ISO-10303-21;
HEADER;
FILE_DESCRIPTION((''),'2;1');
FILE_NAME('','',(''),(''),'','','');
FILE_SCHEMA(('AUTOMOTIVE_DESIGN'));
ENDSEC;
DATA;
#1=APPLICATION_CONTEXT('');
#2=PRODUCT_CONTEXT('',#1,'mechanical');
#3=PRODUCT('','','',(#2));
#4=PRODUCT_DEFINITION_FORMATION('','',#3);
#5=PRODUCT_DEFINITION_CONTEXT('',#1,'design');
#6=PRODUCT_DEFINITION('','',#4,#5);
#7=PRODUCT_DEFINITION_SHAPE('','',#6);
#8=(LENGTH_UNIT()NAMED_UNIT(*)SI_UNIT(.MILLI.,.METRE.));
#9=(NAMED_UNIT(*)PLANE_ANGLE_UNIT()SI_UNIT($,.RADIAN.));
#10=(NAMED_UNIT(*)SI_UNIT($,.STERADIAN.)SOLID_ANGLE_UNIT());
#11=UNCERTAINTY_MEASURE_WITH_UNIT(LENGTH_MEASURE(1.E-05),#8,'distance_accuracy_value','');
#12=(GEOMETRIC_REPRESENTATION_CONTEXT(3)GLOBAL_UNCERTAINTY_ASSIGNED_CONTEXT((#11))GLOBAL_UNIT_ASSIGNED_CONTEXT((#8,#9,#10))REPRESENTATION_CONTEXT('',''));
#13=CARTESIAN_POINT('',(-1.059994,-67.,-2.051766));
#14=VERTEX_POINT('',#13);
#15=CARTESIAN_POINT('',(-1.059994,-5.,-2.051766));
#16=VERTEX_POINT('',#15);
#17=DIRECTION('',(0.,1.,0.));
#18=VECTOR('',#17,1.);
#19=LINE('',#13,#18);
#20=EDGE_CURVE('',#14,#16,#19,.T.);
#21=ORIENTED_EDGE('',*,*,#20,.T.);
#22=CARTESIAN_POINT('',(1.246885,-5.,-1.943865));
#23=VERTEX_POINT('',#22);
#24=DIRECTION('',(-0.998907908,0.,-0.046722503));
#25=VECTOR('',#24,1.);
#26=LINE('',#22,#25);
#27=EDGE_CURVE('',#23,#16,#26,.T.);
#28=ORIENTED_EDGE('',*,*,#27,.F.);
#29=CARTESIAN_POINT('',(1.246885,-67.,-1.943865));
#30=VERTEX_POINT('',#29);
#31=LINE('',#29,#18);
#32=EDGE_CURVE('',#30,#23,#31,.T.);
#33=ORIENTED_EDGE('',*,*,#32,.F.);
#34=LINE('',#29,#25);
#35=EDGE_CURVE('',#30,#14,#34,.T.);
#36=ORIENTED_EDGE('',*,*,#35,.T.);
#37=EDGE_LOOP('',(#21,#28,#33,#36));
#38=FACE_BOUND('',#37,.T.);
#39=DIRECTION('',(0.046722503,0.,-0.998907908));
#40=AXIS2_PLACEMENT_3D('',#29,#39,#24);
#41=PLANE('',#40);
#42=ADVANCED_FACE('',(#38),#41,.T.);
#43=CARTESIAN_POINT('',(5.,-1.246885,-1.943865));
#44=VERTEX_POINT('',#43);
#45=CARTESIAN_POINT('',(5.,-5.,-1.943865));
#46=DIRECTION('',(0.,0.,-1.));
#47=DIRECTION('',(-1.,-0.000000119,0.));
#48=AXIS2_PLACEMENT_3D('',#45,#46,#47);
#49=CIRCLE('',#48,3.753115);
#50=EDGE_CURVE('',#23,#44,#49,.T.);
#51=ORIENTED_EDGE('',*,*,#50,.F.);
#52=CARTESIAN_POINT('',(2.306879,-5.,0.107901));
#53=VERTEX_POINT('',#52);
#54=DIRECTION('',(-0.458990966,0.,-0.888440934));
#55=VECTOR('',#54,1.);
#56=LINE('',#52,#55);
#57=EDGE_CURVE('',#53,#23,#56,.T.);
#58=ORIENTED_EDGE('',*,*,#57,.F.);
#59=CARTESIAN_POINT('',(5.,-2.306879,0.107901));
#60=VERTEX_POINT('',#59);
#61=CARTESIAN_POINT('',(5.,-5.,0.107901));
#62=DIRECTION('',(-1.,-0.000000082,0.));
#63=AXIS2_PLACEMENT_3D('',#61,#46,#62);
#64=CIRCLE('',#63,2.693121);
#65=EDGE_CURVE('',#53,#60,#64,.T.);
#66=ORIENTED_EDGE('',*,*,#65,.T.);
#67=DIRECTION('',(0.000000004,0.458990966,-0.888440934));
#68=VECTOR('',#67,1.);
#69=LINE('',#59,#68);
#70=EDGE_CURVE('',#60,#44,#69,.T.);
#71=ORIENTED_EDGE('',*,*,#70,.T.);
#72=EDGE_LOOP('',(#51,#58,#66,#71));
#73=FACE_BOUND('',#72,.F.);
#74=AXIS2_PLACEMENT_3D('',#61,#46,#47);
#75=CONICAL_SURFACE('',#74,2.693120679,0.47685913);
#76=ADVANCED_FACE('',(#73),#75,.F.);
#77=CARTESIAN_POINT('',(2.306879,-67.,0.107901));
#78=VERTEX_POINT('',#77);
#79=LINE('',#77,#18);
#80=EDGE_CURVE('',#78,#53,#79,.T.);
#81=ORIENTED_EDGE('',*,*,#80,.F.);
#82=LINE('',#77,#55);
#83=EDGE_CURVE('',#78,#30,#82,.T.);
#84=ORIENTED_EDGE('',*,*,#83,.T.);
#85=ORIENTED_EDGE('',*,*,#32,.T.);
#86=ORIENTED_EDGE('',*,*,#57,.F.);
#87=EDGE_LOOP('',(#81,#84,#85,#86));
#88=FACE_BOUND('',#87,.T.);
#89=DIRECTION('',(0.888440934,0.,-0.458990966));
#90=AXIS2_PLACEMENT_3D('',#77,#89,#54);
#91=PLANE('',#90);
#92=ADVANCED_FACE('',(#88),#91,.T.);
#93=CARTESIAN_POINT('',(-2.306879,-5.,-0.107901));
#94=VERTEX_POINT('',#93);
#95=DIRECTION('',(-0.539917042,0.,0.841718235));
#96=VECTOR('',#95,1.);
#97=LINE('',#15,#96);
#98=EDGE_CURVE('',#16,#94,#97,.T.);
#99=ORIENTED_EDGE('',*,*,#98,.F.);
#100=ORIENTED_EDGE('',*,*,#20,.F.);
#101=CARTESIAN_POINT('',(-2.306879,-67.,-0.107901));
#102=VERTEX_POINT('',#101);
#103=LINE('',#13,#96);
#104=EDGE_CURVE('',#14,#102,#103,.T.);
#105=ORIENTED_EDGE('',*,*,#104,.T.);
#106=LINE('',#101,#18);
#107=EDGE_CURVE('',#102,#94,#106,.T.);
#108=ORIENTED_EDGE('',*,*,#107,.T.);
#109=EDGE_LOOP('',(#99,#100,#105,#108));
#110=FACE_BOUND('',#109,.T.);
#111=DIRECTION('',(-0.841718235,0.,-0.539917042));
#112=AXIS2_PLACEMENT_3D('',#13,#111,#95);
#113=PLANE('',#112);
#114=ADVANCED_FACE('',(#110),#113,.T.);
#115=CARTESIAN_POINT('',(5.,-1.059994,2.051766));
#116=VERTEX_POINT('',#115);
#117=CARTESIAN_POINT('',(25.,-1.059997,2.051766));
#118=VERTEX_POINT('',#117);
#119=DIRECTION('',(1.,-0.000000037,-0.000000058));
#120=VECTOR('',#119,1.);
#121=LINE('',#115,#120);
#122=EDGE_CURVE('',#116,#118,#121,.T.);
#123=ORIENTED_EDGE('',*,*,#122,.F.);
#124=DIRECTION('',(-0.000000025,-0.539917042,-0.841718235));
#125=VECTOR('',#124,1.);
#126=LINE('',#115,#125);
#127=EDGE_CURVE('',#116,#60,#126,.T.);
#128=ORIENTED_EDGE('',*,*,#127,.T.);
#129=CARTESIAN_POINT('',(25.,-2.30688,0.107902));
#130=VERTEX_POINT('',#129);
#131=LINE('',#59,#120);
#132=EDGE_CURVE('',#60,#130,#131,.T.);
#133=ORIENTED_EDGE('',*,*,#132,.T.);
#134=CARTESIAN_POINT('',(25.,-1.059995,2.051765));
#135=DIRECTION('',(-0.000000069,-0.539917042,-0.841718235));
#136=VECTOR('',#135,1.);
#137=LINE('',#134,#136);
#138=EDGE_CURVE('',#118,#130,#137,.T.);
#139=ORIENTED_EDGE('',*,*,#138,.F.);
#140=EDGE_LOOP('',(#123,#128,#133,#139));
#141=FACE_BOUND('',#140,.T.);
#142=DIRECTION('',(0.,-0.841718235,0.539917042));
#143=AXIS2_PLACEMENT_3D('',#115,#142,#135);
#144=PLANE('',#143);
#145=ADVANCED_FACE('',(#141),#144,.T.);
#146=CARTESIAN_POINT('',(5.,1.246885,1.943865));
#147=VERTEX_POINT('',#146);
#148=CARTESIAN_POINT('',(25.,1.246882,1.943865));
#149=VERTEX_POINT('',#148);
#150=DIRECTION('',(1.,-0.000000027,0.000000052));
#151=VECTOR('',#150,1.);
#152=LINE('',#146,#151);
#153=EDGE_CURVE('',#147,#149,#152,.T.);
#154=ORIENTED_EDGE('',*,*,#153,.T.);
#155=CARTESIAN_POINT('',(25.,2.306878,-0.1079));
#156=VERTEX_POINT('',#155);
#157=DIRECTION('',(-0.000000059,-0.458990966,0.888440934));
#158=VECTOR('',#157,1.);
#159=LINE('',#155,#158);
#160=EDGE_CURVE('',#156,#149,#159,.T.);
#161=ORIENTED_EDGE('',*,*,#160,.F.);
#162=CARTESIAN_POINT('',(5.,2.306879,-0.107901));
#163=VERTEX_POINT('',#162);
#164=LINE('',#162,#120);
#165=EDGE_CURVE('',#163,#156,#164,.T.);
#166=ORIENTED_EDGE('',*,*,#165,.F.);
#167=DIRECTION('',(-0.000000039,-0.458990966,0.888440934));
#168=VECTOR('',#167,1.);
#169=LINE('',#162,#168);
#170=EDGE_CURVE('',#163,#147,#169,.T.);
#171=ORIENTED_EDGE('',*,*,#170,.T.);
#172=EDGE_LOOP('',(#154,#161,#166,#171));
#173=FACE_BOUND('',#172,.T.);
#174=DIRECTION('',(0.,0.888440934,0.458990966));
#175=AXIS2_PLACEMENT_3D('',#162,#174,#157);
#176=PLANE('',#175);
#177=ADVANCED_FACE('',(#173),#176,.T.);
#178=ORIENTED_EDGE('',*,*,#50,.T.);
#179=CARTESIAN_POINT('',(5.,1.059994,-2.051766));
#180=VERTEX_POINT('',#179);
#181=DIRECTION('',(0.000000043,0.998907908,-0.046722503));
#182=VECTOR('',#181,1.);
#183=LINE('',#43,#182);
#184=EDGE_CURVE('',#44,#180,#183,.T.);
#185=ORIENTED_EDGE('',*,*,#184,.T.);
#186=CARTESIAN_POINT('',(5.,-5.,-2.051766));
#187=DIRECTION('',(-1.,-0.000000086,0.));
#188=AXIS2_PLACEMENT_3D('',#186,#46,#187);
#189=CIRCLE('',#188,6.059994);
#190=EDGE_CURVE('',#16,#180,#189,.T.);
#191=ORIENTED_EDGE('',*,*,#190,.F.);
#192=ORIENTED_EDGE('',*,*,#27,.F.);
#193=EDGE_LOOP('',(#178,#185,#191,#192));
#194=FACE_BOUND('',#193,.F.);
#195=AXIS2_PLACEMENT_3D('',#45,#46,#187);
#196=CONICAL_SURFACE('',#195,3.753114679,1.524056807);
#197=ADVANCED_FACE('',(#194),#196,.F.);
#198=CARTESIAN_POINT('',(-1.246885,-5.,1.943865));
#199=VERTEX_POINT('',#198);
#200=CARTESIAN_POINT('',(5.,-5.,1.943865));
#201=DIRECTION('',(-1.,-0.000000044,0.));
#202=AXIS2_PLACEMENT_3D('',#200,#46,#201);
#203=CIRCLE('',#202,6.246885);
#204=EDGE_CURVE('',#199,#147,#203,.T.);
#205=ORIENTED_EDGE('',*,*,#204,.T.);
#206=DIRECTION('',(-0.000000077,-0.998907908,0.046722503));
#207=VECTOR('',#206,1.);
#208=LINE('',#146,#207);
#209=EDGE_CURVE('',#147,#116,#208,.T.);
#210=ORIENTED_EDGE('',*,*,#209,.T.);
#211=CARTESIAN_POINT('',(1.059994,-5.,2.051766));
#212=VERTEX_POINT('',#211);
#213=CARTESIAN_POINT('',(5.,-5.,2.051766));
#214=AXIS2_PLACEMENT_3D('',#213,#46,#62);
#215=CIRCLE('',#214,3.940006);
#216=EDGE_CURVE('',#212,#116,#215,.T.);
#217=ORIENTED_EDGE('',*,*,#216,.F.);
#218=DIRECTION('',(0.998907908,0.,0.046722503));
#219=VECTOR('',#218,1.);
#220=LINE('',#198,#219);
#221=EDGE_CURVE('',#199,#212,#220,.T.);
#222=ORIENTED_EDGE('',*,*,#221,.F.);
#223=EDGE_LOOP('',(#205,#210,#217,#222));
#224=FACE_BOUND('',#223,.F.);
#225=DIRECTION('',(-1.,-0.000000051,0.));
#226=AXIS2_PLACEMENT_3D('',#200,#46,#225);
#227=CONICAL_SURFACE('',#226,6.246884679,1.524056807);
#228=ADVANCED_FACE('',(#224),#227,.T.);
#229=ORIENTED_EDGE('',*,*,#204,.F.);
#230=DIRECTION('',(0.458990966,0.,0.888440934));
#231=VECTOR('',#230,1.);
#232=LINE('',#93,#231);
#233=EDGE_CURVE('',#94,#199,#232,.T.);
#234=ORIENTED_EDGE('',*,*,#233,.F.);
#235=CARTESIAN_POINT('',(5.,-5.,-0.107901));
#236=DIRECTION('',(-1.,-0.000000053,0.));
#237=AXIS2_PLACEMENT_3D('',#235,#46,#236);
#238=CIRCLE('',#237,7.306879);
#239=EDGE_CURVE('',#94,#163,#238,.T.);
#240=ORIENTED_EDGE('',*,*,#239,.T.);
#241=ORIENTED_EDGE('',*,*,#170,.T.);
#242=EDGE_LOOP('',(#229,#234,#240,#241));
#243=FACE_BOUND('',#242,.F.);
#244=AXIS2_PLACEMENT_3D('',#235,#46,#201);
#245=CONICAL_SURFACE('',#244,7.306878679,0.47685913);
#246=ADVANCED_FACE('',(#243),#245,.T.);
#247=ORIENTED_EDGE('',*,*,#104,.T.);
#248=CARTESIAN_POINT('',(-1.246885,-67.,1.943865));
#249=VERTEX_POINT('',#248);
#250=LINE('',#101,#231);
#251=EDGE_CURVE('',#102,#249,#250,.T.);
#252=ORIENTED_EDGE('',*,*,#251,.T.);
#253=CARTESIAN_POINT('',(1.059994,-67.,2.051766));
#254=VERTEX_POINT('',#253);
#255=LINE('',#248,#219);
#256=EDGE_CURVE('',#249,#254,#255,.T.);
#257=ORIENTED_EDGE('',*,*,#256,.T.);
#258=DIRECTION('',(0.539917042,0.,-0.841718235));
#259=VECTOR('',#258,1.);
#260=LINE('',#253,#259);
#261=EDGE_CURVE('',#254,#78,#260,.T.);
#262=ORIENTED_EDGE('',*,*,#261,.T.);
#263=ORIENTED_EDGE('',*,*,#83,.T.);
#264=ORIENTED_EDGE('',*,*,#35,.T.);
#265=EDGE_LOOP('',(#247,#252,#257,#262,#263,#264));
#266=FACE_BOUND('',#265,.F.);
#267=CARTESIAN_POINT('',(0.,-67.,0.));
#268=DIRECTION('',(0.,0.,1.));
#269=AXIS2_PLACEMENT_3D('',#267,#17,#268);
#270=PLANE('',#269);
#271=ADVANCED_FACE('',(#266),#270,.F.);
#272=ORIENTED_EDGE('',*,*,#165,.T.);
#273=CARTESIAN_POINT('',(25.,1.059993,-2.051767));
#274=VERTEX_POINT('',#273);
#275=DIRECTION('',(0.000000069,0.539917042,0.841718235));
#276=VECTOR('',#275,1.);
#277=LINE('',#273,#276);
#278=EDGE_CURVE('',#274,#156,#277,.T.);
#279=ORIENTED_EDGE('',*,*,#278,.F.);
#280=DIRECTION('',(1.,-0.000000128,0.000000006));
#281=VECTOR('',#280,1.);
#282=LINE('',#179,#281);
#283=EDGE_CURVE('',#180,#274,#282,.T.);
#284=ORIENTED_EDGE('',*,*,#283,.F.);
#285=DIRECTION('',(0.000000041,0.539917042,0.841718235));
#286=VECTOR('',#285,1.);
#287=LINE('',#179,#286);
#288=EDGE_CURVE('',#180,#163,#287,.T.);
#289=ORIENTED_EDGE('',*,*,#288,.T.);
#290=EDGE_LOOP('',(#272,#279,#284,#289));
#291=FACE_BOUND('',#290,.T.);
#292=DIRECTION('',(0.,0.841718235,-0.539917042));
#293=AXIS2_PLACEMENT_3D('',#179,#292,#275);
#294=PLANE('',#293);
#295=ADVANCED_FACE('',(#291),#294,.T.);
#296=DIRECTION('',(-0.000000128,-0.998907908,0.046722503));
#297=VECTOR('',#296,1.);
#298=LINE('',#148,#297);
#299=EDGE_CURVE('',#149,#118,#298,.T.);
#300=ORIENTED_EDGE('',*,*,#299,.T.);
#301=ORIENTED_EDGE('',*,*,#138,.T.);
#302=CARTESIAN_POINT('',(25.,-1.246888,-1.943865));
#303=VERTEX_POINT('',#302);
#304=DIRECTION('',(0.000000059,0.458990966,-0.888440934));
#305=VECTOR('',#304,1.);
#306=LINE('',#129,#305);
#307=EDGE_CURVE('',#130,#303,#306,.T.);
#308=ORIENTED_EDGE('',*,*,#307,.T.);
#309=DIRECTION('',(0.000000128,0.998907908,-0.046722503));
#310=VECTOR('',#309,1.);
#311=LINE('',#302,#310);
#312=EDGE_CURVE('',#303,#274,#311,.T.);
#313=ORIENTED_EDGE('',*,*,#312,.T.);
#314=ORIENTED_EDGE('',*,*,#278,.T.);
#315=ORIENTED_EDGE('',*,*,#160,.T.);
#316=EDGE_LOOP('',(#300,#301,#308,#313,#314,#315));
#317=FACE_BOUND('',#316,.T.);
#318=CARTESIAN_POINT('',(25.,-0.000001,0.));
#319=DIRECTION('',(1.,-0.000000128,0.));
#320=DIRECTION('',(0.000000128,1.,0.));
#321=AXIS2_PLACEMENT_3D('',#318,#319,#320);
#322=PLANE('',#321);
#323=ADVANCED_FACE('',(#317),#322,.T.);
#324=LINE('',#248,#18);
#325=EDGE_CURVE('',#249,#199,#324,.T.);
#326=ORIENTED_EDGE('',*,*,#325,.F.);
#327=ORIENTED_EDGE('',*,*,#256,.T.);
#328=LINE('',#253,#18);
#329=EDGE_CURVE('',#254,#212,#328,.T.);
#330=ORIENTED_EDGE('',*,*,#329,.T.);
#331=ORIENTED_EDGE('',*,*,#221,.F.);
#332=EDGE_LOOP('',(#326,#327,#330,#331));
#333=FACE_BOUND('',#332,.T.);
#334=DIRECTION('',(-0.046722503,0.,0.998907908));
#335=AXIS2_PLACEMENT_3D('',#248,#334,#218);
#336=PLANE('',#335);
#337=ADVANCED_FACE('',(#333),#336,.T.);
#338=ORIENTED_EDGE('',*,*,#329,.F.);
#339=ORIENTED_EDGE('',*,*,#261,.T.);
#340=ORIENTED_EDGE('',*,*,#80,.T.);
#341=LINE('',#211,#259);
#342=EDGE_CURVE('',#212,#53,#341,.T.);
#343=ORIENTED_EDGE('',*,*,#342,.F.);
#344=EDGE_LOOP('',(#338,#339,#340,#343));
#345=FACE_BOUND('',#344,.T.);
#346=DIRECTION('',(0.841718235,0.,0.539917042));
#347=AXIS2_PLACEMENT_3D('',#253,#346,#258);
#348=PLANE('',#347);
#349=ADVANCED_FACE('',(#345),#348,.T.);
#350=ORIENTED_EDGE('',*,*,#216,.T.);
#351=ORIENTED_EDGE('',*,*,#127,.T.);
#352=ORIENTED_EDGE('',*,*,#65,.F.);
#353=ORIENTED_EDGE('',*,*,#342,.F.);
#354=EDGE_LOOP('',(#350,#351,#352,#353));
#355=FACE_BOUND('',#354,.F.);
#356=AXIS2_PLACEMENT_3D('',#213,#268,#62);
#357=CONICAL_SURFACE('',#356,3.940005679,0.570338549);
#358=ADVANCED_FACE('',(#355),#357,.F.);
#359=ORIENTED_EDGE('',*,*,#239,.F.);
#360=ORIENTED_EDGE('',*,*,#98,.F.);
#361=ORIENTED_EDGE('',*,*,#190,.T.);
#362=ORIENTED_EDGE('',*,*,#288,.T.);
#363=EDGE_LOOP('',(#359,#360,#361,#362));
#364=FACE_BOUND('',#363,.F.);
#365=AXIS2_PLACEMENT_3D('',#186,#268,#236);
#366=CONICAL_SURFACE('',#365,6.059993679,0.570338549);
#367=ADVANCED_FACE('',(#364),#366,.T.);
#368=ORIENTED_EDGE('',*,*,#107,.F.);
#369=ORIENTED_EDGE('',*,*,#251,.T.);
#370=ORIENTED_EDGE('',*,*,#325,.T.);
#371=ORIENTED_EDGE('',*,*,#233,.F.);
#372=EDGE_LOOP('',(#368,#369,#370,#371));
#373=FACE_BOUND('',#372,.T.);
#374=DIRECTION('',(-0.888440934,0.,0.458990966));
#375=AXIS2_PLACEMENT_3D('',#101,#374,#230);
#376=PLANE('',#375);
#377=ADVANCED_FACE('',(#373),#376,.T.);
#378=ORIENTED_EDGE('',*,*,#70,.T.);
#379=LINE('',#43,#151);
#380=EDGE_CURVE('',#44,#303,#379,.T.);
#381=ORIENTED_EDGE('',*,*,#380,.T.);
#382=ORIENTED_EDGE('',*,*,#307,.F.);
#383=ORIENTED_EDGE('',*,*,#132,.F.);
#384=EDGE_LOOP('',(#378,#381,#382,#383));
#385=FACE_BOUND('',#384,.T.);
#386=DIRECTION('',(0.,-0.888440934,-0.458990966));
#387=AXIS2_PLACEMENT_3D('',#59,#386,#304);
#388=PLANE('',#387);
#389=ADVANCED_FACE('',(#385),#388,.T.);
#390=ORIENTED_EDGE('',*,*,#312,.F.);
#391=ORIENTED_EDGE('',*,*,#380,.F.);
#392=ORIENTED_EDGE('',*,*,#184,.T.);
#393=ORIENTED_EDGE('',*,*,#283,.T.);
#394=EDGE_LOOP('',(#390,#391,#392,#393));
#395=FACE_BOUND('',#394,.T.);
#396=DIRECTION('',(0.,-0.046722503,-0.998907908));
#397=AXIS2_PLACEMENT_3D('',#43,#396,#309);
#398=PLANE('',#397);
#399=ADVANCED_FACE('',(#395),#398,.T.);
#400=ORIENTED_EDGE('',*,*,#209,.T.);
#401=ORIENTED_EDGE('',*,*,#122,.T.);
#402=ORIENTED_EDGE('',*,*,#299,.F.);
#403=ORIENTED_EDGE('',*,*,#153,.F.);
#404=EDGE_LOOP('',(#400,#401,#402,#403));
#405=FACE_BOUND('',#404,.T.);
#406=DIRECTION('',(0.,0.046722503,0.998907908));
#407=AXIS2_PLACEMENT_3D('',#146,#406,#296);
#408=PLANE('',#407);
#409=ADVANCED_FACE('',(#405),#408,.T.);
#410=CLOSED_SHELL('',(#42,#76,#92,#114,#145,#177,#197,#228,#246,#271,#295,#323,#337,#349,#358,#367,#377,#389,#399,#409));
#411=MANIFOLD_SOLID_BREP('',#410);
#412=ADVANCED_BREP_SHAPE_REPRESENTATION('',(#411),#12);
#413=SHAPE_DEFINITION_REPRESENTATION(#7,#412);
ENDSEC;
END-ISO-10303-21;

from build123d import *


with BuildPart() as f3:
    # F3: sweep along a path in F0
    with BuildLine(Plane.XY) as f3_path:
        Line((0, -67), (0, -5))
        ThreePointArc((0, -5), (1.464466, -1.464466), (5, 0))
        Line((5, 0), (25, 0))
    # F2 (on face) → F3 (sweep)
    with BuildSketch(Plane(origin=(0, -67, 0), x_dir=(-1, 0, 0), z_dir=(0, 1, 0))):
        Polygon((-1.059994, 2.051766), (-2.306879, 0.107901), (-1.246885, -1.943865), (1.059994, -2.051766), (2.306879, -0.107901), (1.246885, 1.943865), align=None)
    sweep(path=f3_path.line)


solid = f3.part
